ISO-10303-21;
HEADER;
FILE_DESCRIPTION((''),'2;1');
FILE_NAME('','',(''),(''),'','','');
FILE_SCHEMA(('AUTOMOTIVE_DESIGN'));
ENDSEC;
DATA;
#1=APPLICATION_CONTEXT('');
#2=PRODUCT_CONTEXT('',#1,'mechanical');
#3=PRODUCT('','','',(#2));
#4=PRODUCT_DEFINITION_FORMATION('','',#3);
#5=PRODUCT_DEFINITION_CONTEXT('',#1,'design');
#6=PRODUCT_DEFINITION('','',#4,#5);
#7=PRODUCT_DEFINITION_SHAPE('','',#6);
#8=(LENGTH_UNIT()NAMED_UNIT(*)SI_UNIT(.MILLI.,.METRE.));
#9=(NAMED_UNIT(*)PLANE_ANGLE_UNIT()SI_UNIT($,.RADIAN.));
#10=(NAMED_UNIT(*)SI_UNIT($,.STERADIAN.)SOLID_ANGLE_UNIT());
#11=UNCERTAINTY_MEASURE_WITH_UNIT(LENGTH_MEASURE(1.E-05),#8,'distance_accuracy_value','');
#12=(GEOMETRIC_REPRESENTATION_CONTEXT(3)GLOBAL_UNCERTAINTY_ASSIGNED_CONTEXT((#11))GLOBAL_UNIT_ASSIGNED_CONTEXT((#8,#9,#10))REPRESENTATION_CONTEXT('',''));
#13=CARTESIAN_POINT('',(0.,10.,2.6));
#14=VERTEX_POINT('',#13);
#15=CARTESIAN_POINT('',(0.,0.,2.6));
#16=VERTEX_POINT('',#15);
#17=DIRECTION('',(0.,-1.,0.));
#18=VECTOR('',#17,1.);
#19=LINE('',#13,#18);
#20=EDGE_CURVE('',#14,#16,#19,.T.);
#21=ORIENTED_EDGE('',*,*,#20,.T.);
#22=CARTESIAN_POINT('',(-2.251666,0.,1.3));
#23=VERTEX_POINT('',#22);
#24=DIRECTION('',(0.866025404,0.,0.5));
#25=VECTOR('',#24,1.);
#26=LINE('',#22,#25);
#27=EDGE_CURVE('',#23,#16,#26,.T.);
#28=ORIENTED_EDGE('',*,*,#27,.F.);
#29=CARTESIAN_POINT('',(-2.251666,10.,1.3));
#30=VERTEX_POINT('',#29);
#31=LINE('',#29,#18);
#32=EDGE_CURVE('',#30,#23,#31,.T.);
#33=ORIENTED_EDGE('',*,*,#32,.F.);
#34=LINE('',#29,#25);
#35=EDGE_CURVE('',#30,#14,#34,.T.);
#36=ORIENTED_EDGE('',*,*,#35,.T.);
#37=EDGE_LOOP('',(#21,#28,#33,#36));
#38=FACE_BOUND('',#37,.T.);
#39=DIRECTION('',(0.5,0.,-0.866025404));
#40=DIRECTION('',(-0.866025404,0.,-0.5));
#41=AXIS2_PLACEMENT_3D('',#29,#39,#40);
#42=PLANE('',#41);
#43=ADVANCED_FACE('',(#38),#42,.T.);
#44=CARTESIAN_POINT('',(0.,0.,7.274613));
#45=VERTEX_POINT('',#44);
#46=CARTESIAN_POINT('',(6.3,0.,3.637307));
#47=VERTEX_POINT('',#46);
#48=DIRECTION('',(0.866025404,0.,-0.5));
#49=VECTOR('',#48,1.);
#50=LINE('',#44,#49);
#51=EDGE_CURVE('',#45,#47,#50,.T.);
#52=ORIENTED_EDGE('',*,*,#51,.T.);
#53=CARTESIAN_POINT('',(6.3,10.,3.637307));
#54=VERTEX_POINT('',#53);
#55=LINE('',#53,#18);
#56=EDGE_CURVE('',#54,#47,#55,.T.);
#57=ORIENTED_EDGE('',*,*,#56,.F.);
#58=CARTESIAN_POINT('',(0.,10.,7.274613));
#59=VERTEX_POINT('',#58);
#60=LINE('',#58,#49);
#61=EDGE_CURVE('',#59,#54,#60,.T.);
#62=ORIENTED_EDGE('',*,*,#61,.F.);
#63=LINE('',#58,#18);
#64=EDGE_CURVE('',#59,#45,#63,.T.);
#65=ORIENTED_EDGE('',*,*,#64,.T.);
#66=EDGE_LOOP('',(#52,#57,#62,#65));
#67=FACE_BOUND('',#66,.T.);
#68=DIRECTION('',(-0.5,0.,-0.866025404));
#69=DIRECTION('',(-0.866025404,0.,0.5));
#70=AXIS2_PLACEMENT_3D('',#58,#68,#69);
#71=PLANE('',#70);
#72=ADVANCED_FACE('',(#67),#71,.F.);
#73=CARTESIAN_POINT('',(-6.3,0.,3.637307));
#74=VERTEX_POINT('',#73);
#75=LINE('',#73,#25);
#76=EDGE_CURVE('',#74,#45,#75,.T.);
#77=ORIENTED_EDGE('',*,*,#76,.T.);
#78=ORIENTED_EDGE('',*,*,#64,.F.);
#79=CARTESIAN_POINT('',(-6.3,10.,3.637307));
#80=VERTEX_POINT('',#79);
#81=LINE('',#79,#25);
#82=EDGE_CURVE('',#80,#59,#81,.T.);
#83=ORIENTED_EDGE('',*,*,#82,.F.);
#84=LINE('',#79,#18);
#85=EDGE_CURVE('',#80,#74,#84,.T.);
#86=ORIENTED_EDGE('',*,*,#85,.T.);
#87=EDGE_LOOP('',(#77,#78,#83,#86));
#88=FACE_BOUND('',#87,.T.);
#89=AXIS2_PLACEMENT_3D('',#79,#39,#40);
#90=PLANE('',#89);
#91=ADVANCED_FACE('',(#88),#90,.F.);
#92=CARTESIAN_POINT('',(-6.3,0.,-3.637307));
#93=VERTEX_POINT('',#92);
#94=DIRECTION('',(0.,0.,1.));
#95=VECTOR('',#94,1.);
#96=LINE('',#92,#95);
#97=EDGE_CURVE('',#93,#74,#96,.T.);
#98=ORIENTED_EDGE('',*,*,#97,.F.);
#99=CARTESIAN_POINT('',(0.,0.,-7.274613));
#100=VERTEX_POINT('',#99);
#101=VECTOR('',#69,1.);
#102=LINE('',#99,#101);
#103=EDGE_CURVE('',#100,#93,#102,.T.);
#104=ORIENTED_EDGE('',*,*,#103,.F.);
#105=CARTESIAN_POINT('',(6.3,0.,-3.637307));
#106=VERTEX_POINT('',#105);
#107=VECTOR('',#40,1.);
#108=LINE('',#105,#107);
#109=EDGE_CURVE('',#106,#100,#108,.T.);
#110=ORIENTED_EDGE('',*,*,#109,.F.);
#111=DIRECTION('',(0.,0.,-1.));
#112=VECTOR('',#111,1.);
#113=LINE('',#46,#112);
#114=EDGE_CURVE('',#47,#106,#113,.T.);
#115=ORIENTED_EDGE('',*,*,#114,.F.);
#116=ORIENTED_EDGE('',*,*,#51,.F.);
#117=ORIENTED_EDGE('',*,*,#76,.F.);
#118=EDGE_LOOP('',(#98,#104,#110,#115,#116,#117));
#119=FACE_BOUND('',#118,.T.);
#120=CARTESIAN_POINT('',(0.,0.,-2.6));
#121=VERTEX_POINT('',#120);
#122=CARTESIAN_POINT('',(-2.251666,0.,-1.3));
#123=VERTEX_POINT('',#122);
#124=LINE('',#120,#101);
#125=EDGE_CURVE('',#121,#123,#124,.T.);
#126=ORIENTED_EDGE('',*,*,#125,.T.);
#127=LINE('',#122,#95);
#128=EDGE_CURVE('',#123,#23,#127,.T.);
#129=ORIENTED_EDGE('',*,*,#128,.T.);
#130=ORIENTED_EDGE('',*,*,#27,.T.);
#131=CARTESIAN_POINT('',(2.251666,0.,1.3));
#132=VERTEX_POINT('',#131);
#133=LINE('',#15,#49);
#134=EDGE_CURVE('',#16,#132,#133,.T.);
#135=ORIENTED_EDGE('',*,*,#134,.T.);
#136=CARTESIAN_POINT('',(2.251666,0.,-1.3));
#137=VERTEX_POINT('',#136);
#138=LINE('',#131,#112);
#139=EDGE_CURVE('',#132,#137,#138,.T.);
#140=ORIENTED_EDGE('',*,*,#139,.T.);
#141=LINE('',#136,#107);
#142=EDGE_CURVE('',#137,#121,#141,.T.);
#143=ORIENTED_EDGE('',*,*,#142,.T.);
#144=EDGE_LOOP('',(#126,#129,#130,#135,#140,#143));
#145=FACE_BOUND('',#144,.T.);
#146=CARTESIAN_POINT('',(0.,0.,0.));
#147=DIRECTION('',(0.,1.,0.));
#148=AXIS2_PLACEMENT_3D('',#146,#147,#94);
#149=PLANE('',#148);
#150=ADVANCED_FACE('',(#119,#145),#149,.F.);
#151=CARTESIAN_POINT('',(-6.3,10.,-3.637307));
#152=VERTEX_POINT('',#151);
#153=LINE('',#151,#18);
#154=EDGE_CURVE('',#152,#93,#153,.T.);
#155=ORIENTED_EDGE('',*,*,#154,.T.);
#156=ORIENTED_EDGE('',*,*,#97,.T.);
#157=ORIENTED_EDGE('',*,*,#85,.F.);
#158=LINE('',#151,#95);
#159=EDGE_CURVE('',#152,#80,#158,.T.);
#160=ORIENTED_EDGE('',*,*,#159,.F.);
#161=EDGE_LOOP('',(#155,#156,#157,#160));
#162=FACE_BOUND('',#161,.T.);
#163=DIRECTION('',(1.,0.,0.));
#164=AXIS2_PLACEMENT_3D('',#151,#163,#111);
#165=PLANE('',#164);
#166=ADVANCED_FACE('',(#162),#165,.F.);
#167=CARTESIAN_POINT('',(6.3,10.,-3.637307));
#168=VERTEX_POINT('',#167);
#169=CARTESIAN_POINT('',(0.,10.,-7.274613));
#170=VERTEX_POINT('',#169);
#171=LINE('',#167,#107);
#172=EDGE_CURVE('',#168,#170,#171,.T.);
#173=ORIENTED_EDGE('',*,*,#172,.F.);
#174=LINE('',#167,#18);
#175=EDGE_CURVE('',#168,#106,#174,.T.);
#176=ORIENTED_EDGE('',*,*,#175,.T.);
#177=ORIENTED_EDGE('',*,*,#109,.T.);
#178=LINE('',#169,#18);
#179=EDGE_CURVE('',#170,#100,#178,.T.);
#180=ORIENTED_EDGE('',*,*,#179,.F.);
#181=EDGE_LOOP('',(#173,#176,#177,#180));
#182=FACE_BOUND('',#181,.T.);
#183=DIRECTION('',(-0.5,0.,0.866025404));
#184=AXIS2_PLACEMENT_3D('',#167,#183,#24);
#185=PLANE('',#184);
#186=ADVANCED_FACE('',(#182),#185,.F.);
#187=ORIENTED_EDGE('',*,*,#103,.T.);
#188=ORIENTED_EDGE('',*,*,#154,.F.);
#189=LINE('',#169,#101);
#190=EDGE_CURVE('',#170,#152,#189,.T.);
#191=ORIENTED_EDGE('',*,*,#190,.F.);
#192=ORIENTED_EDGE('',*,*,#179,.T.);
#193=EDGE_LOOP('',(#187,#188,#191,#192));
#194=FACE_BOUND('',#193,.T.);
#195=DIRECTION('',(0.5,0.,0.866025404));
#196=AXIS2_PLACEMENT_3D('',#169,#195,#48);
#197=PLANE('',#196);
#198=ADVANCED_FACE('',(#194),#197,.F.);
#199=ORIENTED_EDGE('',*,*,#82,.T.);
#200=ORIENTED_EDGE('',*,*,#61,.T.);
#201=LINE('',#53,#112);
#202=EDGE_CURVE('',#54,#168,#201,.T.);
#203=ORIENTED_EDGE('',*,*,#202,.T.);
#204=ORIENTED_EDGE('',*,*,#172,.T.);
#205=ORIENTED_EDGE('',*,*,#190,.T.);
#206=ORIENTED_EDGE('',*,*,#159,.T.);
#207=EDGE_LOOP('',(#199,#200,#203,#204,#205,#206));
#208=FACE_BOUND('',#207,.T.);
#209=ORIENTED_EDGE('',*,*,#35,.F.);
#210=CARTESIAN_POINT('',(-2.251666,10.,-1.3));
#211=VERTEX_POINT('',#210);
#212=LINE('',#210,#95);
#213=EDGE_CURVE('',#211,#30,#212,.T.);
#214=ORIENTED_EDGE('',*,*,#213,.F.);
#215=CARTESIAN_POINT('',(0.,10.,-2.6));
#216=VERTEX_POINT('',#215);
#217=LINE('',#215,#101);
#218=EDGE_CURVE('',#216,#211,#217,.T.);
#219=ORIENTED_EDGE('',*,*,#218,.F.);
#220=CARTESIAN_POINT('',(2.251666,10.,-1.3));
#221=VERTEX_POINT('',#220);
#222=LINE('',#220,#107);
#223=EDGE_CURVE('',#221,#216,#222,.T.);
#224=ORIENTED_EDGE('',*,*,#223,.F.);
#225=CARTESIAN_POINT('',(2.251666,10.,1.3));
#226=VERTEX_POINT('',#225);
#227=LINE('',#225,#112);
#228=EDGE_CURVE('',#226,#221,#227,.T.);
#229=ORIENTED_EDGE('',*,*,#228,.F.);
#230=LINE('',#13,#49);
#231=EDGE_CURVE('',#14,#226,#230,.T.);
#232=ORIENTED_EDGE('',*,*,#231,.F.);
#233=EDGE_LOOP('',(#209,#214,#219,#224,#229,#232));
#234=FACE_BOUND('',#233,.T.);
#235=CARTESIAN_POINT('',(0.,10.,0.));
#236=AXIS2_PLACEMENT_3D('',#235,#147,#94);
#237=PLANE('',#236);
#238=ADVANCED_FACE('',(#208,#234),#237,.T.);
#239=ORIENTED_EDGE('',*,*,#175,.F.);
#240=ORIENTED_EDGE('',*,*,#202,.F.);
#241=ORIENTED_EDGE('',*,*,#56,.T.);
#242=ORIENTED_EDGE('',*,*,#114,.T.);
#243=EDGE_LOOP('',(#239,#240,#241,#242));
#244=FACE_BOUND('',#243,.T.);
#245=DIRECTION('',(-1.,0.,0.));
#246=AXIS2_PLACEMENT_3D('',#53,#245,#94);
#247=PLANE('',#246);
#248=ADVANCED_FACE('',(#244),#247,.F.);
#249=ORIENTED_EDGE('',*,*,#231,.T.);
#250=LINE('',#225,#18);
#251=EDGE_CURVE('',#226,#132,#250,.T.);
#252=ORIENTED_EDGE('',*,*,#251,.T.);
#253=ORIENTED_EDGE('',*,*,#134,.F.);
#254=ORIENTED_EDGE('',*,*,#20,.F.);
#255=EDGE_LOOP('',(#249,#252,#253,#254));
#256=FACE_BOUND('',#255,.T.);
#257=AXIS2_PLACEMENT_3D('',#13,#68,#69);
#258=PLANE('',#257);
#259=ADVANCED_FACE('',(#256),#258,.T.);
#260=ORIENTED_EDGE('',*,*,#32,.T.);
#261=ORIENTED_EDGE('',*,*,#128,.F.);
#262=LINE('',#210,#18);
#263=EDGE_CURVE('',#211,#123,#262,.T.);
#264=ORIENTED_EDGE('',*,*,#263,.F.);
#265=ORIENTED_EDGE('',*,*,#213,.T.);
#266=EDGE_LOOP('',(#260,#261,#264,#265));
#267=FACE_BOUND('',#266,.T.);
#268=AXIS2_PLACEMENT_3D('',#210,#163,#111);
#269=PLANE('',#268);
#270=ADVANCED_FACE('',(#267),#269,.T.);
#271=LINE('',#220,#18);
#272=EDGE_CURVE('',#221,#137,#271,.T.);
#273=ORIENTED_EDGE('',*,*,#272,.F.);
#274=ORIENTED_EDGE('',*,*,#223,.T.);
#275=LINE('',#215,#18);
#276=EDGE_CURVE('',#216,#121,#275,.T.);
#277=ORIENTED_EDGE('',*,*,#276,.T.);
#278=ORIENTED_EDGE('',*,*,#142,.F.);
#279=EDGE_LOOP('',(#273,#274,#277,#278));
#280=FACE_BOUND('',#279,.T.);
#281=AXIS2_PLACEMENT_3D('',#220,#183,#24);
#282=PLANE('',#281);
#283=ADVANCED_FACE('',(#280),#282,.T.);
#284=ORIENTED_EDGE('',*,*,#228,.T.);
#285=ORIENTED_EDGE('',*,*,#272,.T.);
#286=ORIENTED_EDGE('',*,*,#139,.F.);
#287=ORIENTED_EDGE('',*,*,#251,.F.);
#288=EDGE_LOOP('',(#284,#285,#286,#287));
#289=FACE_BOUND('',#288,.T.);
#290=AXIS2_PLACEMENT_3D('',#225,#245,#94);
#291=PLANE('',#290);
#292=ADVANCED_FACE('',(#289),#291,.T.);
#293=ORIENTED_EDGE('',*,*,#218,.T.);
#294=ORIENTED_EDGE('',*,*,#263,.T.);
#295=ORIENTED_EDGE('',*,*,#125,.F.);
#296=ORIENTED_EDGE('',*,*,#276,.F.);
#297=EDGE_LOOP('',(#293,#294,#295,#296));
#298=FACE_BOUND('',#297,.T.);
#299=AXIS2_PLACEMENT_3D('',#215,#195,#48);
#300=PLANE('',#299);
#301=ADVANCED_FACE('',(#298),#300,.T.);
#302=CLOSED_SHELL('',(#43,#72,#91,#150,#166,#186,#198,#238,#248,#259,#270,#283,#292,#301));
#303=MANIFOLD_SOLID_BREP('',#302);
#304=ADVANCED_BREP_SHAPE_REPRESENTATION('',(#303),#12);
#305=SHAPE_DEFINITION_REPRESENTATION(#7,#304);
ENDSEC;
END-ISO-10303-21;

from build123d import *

# Parameters (mm, degrees)
BOSS_EXTRUDE1_DEPTH = 10


with BuildPart() as part:
    # Sketch1 → Boss-Extrude1 (new body)
    with BuildSketch(Plane(origin=(0, 0, 0), x_dir=(1, 0, 0), z_dir=(0, 1, 0))):
        Polygon((0, 7.274613392), (-6.3, 3.637306696), (-6.3, -3.637306696), (0, -7.274613392), (6.3, -3.637306696), (6.3, 3.637306696), align=None)
        Polygon((0, 2.6), (-2.25166605, 1.3), (-2.25166605, -1.3), (0, -2.6), (2.25166605, -1.3), (2.25166605, 1.3), align=None, mode=Mode.SUBTRACT)
    extrude(amount=BOSS_EXTRUDE1_DEPTH)


solid = part.part
